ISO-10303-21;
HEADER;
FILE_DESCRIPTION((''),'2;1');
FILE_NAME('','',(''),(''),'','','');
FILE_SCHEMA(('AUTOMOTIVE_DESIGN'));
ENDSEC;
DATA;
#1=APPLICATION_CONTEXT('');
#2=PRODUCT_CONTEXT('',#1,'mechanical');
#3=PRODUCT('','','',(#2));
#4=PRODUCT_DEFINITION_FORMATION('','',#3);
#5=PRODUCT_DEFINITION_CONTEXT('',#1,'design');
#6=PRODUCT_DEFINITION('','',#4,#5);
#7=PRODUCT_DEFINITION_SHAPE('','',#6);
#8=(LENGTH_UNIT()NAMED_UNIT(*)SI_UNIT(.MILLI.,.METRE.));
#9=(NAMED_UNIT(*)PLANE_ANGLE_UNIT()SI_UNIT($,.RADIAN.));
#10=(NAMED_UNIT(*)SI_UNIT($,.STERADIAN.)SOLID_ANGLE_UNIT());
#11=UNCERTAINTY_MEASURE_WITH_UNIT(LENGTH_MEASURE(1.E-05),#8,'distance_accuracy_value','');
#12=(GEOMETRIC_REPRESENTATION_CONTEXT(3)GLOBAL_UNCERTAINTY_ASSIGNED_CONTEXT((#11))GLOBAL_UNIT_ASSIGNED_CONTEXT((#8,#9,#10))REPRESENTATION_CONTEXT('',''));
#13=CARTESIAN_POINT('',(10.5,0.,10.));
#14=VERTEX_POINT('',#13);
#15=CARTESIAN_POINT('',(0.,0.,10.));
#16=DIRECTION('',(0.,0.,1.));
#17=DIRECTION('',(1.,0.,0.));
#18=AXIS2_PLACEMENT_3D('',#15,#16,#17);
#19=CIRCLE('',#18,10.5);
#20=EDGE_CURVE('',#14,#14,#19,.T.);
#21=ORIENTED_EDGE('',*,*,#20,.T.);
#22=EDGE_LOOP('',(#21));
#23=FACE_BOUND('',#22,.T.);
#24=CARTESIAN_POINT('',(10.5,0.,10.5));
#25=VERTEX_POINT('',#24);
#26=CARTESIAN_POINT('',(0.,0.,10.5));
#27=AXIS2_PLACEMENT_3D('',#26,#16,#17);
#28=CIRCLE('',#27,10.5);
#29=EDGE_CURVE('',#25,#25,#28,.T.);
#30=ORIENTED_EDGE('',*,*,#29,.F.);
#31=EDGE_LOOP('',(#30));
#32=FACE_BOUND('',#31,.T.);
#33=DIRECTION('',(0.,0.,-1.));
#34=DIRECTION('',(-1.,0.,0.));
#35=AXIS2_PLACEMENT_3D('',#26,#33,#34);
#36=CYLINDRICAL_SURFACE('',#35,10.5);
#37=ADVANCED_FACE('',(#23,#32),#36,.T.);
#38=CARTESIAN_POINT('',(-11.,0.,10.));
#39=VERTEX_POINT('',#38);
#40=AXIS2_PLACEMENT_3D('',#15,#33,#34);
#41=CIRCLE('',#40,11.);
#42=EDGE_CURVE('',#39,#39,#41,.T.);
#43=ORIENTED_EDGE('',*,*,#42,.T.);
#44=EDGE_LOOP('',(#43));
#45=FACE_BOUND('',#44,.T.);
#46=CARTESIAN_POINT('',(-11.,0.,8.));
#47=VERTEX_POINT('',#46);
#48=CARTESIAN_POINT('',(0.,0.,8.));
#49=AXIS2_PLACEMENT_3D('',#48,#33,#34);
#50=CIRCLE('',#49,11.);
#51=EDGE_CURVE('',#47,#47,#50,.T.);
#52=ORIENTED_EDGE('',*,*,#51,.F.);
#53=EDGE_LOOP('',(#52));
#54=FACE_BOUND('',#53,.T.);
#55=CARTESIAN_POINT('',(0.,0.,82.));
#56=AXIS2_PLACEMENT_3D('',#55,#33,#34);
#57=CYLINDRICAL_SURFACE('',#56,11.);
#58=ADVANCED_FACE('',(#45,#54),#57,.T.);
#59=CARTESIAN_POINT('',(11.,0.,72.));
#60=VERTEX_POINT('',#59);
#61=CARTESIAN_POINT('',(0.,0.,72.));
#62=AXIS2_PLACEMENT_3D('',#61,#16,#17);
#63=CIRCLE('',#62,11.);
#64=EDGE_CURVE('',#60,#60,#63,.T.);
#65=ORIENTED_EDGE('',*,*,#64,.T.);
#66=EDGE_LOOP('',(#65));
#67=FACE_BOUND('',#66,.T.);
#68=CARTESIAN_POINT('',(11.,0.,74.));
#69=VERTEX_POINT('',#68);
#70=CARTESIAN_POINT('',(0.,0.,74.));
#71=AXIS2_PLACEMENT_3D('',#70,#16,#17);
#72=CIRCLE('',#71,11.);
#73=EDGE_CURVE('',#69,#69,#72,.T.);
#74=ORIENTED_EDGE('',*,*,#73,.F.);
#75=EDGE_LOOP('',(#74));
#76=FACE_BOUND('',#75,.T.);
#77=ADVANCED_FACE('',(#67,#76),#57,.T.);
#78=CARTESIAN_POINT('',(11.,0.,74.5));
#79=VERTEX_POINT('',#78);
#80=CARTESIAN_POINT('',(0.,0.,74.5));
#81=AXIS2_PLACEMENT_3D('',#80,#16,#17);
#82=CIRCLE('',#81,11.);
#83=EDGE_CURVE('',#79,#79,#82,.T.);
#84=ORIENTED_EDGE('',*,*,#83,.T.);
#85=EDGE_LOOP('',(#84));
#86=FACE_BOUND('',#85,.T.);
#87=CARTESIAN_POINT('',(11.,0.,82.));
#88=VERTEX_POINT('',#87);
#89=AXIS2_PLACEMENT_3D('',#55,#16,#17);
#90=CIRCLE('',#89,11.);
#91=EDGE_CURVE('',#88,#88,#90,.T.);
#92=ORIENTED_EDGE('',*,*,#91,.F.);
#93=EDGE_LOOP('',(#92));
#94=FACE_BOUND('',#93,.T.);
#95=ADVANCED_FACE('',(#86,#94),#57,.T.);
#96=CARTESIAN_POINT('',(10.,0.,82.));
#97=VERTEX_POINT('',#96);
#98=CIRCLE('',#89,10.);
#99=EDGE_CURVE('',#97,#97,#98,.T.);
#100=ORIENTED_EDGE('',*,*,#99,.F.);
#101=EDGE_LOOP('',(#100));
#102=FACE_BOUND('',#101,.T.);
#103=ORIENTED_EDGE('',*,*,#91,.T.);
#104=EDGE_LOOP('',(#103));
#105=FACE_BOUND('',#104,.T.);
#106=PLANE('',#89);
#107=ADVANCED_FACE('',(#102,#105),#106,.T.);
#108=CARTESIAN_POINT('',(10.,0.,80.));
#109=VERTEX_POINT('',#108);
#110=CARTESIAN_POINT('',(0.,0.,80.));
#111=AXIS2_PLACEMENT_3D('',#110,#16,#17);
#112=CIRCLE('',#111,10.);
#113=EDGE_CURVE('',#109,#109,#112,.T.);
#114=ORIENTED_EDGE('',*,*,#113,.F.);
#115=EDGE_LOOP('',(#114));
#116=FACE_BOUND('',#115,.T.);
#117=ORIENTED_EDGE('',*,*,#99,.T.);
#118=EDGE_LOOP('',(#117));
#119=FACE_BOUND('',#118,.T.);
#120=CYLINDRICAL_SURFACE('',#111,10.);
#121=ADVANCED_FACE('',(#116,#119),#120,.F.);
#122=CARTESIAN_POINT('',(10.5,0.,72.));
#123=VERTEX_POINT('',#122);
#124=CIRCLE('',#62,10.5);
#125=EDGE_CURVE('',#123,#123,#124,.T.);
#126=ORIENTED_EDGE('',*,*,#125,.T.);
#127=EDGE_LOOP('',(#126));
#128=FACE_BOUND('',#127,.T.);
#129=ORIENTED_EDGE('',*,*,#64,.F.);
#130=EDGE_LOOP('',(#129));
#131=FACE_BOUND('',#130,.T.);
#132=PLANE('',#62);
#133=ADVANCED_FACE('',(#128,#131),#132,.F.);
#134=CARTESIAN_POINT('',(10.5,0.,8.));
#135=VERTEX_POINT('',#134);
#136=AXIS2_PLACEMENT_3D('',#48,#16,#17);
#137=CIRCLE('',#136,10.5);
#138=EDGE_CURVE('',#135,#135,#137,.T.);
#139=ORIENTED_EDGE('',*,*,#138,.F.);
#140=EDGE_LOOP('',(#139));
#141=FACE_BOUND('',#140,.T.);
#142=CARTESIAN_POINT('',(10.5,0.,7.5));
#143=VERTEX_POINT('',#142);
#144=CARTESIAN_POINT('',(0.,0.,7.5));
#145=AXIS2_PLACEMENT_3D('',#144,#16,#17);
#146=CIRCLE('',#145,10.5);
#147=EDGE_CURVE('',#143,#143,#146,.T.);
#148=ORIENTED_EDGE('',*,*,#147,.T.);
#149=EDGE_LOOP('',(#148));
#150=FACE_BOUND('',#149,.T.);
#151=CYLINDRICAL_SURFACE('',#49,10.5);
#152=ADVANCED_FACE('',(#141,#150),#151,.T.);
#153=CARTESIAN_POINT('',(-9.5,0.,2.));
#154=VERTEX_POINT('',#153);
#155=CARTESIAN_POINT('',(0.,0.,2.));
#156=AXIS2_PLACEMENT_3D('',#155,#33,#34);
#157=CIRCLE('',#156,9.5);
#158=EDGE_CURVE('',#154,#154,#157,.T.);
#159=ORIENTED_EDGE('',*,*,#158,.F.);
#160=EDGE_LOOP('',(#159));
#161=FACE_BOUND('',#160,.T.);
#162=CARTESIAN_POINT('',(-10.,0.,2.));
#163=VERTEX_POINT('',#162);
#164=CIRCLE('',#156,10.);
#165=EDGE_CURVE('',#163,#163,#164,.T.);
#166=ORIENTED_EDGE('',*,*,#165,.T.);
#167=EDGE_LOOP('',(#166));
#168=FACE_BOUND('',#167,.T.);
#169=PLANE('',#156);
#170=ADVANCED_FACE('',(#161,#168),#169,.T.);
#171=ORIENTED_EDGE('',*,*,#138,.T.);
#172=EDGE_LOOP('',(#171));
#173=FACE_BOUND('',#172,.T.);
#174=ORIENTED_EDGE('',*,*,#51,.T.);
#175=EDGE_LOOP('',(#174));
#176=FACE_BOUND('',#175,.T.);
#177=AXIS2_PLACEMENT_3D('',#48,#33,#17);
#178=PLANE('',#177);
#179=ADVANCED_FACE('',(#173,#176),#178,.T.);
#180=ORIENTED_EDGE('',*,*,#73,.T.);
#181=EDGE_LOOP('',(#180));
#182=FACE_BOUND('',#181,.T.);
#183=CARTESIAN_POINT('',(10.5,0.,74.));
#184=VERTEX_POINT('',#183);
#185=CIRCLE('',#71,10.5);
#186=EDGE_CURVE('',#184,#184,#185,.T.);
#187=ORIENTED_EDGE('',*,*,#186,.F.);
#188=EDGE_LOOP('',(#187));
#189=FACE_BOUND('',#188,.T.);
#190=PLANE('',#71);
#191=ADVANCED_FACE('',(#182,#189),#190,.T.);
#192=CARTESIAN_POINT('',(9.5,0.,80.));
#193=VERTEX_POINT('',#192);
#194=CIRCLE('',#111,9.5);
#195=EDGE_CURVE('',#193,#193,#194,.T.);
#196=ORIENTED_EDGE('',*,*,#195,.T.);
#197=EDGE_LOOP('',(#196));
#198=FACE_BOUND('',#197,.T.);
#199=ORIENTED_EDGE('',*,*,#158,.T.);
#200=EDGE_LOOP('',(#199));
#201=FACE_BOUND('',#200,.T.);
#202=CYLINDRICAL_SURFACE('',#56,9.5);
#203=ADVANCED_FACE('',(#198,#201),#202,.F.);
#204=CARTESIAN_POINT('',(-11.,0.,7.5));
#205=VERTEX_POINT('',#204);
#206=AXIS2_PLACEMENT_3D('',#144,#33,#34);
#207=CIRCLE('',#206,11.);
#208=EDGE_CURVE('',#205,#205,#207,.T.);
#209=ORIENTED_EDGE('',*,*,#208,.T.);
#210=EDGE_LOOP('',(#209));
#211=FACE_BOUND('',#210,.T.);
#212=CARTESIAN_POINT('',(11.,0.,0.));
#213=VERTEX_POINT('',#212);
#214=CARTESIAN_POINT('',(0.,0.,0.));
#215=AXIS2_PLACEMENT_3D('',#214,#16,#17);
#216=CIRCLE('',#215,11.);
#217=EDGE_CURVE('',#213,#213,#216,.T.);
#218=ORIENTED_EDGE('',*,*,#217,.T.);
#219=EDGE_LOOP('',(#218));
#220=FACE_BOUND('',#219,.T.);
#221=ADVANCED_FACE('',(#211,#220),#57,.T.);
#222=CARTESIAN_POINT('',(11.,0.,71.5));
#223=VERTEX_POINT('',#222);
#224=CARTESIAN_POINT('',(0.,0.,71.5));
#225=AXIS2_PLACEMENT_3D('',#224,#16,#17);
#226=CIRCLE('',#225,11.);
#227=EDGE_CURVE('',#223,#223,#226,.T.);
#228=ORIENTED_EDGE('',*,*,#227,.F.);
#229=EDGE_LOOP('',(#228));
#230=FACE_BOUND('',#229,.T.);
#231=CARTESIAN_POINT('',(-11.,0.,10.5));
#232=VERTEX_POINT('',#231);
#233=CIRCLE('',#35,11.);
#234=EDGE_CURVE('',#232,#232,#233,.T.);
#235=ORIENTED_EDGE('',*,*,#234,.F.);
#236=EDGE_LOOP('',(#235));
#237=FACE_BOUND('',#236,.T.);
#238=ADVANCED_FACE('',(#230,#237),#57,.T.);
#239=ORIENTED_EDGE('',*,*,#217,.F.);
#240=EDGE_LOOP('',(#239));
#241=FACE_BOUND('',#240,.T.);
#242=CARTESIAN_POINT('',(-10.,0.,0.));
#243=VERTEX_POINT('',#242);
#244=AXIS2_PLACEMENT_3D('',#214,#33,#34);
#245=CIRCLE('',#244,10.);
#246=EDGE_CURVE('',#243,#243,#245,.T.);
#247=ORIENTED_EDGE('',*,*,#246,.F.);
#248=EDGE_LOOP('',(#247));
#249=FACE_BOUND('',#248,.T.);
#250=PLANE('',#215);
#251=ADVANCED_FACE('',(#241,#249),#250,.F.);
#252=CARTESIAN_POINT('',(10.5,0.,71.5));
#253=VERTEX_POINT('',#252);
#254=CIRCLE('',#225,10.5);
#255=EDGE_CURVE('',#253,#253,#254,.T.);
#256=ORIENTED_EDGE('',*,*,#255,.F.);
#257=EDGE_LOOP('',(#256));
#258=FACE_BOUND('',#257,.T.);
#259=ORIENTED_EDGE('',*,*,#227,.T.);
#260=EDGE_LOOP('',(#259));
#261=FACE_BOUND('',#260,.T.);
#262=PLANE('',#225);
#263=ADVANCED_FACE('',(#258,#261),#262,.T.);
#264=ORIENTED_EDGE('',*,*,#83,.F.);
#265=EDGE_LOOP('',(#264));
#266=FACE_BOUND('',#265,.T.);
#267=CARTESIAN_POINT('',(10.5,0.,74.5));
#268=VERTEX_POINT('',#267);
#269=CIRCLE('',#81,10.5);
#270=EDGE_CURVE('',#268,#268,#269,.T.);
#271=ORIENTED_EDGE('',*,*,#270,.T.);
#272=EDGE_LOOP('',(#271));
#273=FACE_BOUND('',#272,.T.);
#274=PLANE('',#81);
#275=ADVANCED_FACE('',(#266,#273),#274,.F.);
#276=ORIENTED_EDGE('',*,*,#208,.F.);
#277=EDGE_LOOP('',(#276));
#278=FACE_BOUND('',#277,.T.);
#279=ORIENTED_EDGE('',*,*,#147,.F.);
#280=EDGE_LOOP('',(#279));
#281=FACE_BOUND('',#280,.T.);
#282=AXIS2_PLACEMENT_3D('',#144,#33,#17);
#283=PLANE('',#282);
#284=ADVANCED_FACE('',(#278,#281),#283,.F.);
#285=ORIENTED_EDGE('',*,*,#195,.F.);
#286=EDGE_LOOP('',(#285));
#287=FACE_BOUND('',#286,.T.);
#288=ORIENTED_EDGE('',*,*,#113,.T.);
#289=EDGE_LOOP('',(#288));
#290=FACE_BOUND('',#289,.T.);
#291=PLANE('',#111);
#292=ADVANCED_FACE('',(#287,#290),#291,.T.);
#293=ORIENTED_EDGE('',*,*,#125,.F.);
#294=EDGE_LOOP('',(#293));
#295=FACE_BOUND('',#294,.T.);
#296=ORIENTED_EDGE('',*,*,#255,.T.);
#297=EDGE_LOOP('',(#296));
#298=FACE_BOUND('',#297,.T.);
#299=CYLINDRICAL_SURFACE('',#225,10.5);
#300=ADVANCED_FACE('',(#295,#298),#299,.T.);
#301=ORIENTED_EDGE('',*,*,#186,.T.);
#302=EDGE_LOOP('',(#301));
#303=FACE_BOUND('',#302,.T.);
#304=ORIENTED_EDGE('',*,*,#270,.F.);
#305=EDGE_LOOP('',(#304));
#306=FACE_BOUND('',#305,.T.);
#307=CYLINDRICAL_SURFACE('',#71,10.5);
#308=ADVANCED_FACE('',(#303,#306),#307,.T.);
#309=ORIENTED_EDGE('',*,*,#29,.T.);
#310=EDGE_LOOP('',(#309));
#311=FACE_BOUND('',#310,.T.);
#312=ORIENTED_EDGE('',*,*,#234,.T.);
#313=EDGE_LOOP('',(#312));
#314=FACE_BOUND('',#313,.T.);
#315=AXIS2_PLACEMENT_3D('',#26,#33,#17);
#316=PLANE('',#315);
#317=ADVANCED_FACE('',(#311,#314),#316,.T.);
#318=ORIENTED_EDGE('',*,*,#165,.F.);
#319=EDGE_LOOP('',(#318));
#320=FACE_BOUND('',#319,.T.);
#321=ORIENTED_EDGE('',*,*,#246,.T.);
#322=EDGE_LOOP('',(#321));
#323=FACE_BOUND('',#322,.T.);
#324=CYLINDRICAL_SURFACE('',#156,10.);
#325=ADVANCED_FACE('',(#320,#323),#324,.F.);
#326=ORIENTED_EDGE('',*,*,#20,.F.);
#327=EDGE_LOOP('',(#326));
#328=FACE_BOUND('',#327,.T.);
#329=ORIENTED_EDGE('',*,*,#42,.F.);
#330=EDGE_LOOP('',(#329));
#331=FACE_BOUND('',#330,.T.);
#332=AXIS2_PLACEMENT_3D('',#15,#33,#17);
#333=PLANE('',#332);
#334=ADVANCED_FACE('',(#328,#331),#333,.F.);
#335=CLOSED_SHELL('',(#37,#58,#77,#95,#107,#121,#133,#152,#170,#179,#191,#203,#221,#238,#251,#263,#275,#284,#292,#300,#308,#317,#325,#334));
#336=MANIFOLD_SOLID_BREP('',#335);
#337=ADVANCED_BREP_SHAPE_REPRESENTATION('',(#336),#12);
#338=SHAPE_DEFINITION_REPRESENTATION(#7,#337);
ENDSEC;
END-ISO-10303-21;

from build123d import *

# Parameters (mm, degrees)
SKETCH_1_R          = 11
SKETCH_1_R_2        = 9.5
EXTRUDE_1_DEPTH     = 82
SKETCH_4_R          = 10
CUT_EXTRUDE_2_DEPTH = 2
CUT_EXTRUDE_START   = -2
SKETCH_5_R          = 10
CUT_EXTRUDE_3_DEPTH = 2
SKETCH_6_R          = 11.5
SKETCH_6_R_2        = 10.5
CUT_EXTRUDE_4_DEPTH = 0.5
SKETCH_7_R          = 11.5
SKETCH_7_R_2        = 10.5
CUT_EXTRUDE_5_DEPTH = 0.5


with BuildPart() as part:
    # Эскиз1 → Бобышка-Вытянуть1 (new body)
    with BuildSketch(Plane.XY):
        Circle(SKETCH_1_R)
        Circle(SKETCH_1_R_2, mode=Mode.SUBTRACT)
    extrude(amount=EXTRUDE_1_DEPTH)

    # Эскиз4 → Вырез-Вытянуть2 (cut)
    with BuildSketch(Plane(origin=(0, 0, 0), x_dir=(-1, 0, 0), z_dir=(0, 0, -1))):
        Circle(SKETCH_4_R)
    extrude(amount=-CUT_EXTRUDE_2_DEPTH, mode=Mode.SUBTRACT)

    # Эскиз5 → Вырез-Вытянуть3 (cut)
    with BuildSketch(Plane.XY.offset(82).offset(CUT_EXTRUDE_START)):
        with Locations(Location((0, 0, 0), (0, 0, 180))):
            Circle(SKETCH_5_R)
    extrude(amount=CUT_EXTRUDE_3_DEPTH, mode=Mode.SUBTRACT)

    # Эскиз6 → Вырез-Вытянуть4 (cut)
    with BuildSketch(Plane.XY.offset(74.5)):
        Circle(SKETCH_6_R)
        Circle(SKETCH_6_R_2, mode=Mode.SUBTRACT)
    cut_extrude_4 = extrude(amount=-CUT_EXTRUDE_4_DEPTH, mode=Mode.SUBTRACT)

    # Эскиз7 → Вырез-Вытянуть5 (cut)
    with BuildSketch(Plane.XY.offset(72)):
        Circle(SKETCH_7_R)
        Circle(SKETCH_7_R_2, mode=Mode.SUBTRACT)
    cut_extrude_5 = extrude(amount=-CUT_EXTRUDE_5_DEPTH, mode=Mode.SUBTRACT)

    # Зеркальное отражение1: Вырез-Вытянуть4, Вырез-Вытянуть5 across plane
    add(cut_extrude_4.mirror(Plane.XY.offset(41)), mode=Mode.SUBTRACT)
    add(cut_extrude_5.mirror(Plane.XY.offset(41)), mode=Mode.SUBTRACT)


solid = part.part
